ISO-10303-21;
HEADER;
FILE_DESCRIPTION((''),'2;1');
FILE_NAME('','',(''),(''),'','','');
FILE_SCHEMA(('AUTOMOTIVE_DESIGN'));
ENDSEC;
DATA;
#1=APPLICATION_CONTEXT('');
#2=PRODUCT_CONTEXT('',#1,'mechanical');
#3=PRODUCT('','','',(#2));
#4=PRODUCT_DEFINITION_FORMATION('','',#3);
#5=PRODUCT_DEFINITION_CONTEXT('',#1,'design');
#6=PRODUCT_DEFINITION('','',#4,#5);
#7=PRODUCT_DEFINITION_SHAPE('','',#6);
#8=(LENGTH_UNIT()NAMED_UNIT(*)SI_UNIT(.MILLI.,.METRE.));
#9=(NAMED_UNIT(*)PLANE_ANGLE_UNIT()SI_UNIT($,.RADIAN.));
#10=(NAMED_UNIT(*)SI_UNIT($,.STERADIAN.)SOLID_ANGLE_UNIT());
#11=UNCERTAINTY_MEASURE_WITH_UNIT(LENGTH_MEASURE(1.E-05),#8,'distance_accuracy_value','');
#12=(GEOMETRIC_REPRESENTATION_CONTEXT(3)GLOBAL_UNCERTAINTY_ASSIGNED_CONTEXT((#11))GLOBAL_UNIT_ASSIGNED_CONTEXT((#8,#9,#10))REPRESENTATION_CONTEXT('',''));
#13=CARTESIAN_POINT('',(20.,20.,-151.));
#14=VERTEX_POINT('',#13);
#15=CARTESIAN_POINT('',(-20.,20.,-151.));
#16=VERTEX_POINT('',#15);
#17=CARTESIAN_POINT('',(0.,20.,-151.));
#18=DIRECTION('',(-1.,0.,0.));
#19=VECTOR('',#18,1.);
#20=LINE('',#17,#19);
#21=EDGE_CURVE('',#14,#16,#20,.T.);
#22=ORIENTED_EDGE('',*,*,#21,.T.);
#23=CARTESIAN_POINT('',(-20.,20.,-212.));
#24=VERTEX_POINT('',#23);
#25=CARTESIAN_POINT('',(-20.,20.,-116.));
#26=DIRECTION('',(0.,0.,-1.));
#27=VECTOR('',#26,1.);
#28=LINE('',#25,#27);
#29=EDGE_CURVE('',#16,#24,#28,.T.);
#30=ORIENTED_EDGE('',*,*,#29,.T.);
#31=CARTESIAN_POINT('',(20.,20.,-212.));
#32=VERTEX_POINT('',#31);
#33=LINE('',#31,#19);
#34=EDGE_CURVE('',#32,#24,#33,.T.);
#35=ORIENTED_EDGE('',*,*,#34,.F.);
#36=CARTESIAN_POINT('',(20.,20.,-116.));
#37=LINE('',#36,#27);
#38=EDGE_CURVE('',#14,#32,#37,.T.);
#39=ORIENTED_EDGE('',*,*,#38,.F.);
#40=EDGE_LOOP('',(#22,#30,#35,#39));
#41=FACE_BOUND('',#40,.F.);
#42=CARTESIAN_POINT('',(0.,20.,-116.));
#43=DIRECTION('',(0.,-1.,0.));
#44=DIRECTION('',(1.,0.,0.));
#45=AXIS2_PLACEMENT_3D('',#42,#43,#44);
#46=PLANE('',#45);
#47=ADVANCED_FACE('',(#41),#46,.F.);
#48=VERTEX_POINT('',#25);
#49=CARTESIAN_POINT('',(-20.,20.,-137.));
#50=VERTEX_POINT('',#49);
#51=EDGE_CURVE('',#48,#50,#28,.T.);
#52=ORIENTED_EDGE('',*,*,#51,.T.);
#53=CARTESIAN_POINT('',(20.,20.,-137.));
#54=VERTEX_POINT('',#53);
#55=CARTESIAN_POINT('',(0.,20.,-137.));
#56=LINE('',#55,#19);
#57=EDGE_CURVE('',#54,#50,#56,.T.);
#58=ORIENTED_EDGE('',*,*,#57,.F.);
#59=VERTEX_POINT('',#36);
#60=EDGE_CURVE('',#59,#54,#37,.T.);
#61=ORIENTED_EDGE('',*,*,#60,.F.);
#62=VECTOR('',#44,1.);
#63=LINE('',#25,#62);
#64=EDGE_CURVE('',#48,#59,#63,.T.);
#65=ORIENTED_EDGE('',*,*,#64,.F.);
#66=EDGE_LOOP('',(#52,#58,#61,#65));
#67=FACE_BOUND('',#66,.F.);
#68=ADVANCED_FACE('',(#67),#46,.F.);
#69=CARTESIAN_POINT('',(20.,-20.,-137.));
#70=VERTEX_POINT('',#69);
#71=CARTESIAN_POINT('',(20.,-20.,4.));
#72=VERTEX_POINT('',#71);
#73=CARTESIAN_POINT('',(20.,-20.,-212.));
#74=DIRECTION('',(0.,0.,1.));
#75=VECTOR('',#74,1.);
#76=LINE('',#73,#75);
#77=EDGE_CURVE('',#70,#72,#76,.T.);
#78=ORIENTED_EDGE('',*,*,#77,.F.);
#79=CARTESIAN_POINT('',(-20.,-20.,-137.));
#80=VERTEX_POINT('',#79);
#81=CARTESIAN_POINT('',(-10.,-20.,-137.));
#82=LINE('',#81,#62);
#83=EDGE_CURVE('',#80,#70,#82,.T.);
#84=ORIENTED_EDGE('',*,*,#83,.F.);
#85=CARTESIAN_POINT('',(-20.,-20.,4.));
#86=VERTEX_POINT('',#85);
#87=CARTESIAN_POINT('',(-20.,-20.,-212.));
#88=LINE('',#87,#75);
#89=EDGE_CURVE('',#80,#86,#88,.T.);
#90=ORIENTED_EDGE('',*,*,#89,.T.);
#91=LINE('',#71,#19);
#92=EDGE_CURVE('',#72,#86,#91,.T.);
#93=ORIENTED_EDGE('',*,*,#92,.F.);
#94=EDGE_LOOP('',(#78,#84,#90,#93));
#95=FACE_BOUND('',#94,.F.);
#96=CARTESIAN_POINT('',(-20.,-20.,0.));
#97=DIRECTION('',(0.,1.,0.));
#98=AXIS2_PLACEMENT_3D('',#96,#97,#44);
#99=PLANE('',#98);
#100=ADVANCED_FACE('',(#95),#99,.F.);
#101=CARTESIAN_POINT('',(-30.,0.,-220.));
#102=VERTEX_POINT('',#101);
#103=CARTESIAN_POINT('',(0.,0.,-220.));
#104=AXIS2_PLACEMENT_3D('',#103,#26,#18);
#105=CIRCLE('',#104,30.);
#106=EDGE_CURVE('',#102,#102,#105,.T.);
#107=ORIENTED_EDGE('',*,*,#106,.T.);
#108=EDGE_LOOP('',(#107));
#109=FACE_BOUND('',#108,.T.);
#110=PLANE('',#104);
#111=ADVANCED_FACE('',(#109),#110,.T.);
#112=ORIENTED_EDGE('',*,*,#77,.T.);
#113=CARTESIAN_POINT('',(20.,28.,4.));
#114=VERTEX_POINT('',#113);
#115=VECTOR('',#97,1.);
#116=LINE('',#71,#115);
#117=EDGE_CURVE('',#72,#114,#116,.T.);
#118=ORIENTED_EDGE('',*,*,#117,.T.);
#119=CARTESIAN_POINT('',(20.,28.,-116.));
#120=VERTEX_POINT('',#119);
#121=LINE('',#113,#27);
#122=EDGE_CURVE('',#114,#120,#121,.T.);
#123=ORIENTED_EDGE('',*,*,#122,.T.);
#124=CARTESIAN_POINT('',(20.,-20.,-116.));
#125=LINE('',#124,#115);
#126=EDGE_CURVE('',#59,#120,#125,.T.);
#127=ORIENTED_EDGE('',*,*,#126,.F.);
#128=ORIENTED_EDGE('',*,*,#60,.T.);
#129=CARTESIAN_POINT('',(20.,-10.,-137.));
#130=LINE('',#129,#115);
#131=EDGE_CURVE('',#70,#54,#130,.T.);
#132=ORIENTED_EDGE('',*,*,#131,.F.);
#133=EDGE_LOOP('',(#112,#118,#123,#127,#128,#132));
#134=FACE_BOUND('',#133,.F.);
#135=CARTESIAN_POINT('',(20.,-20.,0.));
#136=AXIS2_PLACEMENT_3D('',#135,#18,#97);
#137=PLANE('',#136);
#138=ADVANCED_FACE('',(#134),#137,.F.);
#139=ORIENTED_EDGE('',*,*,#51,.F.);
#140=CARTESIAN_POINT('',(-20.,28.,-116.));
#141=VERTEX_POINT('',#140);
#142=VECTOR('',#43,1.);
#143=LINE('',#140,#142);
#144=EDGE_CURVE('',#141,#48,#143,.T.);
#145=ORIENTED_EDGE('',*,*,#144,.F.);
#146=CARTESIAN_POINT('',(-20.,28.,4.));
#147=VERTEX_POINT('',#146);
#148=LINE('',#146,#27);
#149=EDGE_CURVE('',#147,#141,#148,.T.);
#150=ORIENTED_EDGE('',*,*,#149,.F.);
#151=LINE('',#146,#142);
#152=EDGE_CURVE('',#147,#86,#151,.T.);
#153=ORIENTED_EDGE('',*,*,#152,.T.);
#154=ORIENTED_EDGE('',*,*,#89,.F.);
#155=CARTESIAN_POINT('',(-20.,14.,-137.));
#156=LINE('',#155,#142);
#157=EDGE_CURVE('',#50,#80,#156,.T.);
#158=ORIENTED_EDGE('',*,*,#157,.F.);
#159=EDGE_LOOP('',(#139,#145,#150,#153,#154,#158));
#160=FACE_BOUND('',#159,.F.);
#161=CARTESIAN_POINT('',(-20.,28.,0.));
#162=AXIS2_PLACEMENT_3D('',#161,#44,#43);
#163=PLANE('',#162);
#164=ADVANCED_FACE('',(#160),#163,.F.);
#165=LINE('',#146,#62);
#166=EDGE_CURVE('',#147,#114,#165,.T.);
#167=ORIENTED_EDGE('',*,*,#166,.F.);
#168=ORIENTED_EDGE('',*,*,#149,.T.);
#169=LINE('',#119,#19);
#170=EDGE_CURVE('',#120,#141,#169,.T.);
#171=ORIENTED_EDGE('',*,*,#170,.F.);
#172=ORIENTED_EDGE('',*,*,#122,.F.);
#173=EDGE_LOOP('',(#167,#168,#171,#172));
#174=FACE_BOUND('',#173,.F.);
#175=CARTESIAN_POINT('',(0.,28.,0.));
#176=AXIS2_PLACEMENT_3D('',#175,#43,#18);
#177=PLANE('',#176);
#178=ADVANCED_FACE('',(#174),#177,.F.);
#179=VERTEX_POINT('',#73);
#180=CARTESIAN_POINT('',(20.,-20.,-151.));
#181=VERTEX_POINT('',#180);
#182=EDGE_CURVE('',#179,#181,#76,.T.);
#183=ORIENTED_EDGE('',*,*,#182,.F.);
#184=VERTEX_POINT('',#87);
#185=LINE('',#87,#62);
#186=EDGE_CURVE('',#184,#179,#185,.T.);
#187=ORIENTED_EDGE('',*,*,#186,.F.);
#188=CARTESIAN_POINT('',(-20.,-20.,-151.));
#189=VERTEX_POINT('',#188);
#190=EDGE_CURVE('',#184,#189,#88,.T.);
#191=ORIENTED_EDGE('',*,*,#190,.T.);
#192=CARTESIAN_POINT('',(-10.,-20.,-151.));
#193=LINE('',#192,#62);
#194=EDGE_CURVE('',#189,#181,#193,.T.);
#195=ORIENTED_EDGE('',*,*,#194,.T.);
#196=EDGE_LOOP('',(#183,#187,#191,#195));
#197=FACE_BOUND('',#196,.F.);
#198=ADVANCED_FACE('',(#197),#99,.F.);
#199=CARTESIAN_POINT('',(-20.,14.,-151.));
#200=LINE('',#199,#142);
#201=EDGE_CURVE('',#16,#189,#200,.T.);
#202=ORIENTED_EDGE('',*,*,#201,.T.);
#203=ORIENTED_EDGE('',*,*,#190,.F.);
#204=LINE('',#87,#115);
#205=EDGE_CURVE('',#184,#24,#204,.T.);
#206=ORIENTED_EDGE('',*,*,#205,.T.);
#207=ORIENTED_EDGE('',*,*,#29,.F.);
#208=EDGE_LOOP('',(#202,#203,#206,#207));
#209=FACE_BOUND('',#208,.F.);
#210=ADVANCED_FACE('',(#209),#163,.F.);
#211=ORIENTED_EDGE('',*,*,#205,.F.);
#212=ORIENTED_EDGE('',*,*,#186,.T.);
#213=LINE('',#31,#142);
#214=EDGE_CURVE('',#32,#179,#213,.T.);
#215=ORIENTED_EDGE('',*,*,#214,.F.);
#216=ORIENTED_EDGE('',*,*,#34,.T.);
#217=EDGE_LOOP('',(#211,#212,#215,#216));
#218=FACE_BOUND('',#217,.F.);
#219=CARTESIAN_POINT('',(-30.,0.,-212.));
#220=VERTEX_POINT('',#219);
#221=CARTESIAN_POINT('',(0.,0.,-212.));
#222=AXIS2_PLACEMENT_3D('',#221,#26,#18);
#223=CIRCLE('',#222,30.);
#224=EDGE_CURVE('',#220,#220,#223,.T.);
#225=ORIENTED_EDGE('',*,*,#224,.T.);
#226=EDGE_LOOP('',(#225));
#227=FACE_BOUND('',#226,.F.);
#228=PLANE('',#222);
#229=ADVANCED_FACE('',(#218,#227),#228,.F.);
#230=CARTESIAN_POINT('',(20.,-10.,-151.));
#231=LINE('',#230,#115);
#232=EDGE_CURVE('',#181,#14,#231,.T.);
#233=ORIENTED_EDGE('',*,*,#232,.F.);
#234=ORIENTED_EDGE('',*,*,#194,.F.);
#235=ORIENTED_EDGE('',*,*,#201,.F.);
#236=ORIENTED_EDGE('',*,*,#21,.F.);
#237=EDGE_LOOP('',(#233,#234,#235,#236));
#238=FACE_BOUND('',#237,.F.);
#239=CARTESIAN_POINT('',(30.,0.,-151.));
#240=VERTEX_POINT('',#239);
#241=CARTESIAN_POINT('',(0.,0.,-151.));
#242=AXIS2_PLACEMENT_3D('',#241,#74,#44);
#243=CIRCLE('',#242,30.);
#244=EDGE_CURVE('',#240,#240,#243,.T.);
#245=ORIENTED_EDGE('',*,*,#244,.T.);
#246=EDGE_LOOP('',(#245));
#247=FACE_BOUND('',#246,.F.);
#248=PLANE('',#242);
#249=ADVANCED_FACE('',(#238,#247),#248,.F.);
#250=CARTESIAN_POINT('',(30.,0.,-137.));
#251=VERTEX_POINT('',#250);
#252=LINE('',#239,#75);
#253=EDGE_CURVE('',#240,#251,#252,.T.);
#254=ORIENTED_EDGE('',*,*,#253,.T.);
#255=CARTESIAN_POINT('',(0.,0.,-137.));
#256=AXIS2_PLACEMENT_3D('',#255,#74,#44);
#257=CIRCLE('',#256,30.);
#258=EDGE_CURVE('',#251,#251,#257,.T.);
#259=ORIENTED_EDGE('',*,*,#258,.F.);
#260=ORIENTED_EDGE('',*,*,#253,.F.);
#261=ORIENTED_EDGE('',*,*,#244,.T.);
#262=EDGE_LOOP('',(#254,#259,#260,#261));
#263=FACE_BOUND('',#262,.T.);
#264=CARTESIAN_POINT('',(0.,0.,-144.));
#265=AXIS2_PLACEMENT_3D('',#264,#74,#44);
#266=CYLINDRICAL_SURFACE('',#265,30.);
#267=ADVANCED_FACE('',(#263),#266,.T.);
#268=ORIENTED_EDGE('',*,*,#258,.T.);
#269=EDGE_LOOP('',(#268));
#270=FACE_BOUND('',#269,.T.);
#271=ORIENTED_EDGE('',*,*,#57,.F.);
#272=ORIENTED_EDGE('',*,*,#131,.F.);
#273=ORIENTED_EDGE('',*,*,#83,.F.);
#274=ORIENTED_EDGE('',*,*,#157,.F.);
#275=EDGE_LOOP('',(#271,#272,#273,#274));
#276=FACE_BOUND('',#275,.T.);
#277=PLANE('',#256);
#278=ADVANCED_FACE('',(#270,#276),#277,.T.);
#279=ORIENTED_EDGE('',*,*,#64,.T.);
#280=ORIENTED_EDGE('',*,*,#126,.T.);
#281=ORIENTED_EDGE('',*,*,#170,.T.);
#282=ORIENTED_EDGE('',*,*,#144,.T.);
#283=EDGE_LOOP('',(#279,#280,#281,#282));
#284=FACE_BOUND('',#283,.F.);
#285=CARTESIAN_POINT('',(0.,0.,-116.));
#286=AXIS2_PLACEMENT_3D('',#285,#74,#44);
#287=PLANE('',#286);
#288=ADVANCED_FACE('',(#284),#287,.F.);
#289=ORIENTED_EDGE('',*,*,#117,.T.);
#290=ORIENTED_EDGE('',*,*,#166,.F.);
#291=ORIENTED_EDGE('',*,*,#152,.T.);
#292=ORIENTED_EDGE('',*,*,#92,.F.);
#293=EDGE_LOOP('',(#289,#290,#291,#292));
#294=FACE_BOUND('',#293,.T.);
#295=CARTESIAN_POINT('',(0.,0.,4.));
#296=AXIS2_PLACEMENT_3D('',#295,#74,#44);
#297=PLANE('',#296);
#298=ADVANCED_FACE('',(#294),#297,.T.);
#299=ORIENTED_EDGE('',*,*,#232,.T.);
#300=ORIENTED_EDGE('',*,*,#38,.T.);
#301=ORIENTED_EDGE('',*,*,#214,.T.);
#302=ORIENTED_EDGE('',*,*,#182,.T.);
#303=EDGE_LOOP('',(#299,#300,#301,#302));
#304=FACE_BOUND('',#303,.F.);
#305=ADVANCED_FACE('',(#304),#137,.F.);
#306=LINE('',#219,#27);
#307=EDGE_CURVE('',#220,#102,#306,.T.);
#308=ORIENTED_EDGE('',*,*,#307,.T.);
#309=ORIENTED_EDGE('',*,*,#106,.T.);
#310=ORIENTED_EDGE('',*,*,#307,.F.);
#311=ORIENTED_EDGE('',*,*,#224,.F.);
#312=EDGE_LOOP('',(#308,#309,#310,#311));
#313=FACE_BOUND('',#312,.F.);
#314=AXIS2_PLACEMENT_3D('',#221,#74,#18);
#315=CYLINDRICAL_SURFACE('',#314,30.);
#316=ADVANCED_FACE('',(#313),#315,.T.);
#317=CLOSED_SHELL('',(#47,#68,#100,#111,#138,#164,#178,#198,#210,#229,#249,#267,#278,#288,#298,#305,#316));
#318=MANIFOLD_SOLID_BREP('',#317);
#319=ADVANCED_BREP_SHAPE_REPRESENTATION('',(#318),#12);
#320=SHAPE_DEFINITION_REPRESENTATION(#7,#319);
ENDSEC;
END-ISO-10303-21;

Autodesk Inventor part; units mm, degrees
ref_plane "XZ Plane" through (0, 0, 0) normal (0, 1, 0) x (-1, 0, 0)
sketch "Sketch1" plane through (0, 0, 0) normal (0, 0, 1) x (1, 0, 0)
  line L0 (-20, -20) -> (20, -20)
  line L1 (20, -20) -> (20, 28)
  line L2 (20, 28) -> (-20, 28)
  line L3 (-20, 28) -> (-20, -20)
  line L4 (-20, -20) -> (20, 28) construction
  line L5 (20, -20) -> (-20, 28) construction
  line L6 (0, -29.6) -> (0, 37.6) projected
  point P0 (0, 0)
  point P1 (0, 4)
  dimension "d0" = 20
  dimension "d1" = 28
  dimension "d2" = 40
extrude "Extrusion1" add sketch "Sketch1" along normal blind 4 and the other way blind 116
sketch "Sketch3" plane through (0, 0, -116) normal (0, 0, -1) x (-1, 0, 0)
  line L0 (-20, -20) -> (20, -20)
  line L1 (20, -20) -> (20, 20)
  line L2 (20, 20) -> (-20, 20)
  line L3 (-20, 20) -> (-20, -20)
  line L4 (-20, -20) -> (20, 20) construction
  line L5 (20, -20) -> (-20, 20) construction
  line L6 (0, -29.6) -> (0, 37.6) projected
  line L7 (-20, -20) -> (20, -20) projected
  line L8 (20, -20) -> (20, 28) projected
  line L9 (20, 28) -> (-20, 28) projected
  point P0 (0, 0)
  point P1 (0, 0)
  point P2 (0, 0)
  dimension "d16" = 8
extrude "Extrusion3" add sketch "Sketch3" along normal blind 96 contours L3 L2 L6 L0 | L6 L2 L1 L0
ref_plane "Work Plane1" through (0, 0, -144) normal (0, 0, 1) x (1, 0, 0)
sketch "Sketch4" plane through (0, 0, -144) normal (0, 0, 1) x (1, 0, 0)
  circle A0 centre (0, 0) radius 30
  dimension "d20" = 60
extrude "Extrusion4" add sketch "Sketch4" along normal mid plane 14
sketch "Sketch5" plane through (0, 0, -212) normal (0, 0, -1) x (-1, 0, 0)
  circle A0 centre (0, 0) radius 30
  dimension "d23" = 60
extrude "Extrusion5" add sketch "Sketch5" along normal blind 8
ref_plane "UCS4: YZ Plane" through (0, 0, 0) normal (1, 0, 0) x (0, 1, 0)
ref_plane "UCS4: XZ Plane" through (0, 0, 0) normal (0, 1, 0) x (0, 0, 1)
ref_plane "UCS4: XY Plane" through (0, 0, 0) normal (0, 0, 1) x (1, 0, 0)
properties part number "link_4"
